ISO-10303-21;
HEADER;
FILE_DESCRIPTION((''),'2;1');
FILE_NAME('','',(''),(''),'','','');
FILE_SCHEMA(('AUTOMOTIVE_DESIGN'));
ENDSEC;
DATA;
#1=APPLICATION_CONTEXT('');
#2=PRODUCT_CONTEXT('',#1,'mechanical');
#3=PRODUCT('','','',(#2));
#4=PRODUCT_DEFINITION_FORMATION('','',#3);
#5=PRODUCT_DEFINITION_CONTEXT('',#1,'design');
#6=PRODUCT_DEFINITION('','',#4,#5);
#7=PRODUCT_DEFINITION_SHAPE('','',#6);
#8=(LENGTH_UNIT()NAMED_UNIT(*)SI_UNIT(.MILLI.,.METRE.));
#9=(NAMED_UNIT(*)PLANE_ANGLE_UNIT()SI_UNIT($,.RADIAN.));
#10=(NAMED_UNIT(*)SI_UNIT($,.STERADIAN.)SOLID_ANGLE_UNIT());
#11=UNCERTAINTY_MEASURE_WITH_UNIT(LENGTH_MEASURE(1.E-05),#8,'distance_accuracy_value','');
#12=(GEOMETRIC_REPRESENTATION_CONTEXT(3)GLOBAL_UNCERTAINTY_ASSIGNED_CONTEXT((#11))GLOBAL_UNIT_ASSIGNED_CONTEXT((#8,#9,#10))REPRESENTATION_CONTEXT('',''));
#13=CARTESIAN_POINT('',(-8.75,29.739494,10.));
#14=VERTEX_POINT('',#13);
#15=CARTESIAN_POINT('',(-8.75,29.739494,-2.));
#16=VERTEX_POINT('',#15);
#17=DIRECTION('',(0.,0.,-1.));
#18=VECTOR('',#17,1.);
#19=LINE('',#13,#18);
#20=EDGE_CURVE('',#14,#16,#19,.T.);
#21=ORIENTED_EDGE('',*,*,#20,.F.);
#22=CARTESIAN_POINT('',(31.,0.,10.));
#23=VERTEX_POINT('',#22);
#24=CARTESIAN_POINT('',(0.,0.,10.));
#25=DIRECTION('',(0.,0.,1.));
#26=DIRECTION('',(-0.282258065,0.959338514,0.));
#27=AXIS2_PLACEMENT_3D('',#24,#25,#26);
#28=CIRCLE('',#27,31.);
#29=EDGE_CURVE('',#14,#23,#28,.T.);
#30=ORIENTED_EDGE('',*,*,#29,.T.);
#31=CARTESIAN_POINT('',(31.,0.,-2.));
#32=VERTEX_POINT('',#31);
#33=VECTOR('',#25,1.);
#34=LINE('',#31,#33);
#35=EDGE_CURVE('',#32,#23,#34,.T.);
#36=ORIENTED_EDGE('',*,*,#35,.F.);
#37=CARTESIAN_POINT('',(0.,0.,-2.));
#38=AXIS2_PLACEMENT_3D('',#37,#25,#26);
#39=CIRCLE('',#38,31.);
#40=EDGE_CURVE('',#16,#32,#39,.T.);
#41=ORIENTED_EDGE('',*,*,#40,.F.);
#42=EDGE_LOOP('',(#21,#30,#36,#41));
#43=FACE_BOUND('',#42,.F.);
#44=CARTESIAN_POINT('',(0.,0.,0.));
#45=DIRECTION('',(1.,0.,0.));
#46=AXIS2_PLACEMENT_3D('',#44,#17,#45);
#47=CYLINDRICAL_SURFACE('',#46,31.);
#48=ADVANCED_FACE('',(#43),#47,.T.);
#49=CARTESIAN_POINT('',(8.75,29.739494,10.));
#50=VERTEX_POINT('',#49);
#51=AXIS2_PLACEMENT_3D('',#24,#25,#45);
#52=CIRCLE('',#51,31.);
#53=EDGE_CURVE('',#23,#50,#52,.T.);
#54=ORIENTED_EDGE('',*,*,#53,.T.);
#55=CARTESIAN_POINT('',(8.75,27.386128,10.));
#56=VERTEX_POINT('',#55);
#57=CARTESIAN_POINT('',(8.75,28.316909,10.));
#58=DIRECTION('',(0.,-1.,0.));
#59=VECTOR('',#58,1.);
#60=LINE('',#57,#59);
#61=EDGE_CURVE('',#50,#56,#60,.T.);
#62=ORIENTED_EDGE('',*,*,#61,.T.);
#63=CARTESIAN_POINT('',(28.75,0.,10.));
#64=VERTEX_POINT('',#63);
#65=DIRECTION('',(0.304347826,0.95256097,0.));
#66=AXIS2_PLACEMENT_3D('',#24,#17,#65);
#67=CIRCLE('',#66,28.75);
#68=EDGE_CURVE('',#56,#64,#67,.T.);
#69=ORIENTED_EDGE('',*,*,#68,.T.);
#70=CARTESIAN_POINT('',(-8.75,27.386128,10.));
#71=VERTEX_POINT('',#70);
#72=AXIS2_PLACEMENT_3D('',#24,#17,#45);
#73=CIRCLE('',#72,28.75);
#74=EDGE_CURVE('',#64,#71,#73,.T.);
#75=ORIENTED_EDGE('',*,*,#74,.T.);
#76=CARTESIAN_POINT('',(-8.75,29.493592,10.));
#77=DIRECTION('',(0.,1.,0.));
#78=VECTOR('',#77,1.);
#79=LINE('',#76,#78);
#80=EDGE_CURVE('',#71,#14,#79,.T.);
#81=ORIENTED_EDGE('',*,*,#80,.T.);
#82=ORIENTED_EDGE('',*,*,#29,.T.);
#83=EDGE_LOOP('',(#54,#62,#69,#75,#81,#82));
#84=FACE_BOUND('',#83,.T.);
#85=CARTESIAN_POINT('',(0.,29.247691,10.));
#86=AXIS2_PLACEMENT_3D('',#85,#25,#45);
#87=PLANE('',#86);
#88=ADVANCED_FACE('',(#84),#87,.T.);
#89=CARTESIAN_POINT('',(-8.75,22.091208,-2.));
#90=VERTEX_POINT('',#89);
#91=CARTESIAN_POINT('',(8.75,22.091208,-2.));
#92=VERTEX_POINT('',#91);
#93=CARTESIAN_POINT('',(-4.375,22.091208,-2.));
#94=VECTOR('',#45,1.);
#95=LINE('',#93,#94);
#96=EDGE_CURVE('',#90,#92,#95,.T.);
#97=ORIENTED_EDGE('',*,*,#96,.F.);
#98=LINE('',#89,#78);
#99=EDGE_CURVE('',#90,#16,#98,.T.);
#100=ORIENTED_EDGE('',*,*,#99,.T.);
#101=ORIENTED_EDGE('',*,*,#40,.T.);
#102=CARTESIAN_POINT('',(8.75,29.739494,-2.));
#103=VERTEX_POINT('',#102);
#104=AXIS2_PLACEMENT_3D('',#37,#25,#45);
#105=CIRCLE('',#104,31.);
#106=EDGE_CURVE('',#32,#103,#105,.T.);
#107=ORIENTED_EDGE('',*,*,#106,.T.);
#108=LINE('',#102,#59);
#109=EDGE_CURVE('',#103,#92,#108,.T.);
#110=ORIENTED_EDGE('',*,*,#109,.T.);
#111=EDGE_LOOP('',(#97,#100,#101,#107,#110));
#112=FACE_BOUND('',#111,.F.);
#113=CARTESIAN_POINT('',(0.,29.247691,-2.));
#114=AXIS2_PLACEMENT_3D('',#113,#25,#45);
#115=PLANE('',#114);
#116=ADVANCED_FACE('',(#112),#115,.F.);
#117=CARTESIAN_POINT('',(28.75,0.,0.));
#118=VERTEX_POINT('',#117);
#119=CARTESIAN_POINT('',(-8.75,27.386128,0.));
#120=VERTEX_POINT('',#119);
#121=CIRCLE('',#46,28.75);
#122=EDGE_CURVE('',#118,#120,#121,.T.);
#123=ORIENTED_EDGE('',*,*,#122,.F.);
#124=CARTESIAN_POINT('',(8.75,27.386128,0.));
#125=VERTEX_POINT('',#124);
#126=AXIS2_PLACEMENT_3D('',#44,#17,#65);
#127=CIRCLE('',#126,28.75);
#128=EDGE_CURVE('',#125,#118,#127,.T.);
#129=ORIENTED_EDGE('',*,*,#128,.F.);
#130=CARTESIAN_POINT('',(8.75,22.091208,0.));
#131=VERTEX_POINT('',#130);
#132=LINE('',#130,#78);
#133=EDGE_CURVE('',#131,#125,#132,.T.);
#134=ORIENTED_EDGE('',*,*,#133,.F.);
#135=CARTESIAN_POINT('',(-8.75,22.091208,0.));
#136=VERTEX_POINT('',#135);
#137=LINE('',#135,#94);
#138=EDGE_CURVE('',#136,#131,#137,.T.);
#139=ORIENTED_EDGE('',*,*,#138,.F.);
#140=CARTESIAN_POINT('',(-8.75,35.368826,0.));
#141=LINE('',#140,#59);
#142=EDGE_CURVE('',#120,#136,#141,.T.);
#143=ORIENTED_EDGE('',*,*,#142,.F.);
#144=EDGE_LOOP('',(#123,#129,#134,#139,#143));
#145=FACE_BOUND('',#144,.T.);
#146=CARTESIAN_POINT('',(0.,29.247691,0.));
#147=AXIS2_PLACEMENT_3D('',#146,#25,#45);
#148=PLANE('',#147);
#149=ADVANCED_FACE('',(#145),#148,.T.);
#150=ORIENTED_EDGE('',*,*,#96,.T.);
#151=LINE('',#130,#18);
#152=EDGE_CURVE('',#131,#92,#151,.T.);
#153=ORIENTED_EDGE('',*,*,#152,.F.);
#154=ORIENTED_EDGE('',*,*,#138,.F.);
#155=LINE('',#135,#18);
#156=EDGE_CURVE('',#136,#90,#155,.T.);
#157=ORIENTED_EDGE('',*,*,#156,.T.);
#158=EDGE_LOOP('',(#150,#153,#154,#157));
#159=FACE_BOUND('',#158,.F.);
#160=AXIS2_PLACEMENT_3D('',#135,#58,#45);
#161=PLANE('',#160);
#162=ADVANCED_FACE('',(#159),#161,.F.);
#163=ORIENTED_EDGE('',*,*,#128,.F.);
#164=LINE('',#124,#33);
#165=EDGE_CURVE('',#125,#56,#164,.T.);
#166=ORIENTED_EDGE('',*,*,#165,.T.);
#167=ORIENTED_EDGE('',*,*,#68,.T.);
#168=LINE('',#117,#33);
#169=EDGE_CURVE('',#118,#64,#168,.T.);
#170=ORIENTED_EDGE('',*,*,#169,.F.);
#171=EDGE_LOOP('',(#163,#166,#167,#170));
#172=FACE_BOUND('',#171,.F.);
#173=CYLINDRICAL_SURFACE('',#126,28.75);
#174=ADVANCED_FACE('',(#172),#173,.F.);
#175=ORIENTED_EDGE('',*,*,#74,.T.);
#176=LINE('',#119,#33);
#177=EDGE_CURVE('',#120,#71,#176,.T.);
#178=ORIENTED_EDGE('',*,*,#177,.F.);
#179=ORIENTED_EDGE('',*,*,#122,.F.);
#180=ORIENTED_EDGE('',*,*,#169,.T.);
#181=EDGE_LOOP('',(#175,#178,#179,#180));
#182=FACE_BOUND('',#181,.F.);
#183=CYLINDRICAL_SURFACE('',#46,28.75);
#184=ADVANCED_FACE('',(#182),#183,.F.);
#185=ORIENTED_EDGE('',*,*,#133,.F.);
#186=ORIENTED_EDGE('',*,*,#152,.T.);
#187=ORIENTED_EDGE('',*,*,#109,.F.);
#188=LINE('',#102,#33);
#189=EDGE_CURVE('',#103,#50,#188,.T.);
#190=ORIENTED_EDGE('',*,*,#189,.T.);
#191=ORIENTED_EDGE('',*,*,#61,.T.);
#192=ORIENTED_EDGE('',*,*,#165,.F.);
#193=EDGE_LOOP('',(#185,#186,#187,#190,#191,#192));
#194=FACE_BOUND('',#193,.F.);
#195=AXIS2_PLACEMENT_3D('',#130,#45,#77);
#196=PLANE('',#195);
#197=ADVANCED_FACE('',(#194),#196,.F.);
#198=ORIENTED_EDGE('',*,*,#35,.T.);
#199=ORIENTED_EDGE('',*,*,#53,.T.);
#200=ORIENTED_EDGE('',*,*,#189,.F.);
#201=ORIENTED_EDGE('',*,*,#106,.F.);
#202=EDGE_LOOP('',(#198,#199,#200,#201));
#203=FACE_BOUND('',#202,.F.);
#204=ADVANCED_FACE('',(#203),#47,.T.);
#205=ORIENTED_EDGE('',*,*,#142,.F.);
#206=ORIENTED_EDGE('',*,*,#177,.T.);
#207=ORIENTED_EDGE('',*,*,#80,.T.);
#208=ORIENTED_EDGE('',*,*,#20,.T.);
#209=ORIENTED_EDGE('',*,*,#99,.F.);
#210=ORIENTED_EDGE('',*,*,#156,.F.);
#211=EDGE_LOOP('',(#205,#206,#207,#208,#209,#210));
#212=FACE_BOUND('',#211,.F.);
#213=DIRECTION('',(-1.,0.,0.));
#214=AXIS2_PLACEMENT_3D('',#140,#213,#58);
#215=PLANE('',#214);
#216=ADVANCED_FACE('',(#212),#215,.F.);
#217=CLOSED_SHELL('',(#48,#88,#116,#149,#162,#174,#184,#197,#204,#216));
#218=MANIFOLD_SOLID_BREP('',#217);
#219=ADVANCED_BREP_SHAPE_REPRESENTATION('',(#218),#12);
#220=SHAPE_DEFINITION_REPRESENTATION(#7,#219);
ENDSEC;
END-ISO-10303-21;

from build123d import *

# Parameters (mm, degrees)
F1_DEPTH      = 2
F2_DEPTH      = 10
F3_DEPTH      = 2.001
F4_DEPTH      = 25
F4_DEPTH_BACK = 25


with BuildPart() as f1:
    # F0 (on Top) → F1 (new body)
    with BuildSketch(Plane.XY):
        with BuildLine():
            Line((8.75, 27.3861278753), (8.75, 29.7394939432))
            ThreePointArc((8.75, 29.7394939432), (0, 31), (-8.75, 29.7394939432))
            Line((-8.75, 29.7394939432), (-8.75, 27.3861278753))
            ThreePointArc((-8.75, 27.3861278753), (0, 28.75), (8.75, 27.3861278753))
        make_face()
        with BuildLine():
            ThreePointArc((-8.75, 29.7394939432), (-18.5708104293, -24.821865361), (31, 0))
            ThreePointArc((31, 0), (24.821865361, 18.5708104293), (8.75, 29.7394939432))
            Line((8.75, 29.7394939432), (8.75, 27.3861278753))
            ThreePointArc((8.75, 27.3861278753), (23.2177195263, 16.9558249578), (28.75, 0))
            ThreePointArc((28.75, 0), (-16.9558249578, -23.2177195263), (-8.75, 27.3861278753))
            Line((-8.75, 27.3861278753), (-8.75, 29.7394939432))
        make_face()
        with BuildLine():
            Line((8.75, 22.0912080258), (8.75, 27.3861278753))
            ThreePointArc((8.75, 27.3861278753), (0, 28.75), (-8.75, 27.3861278753))
            Line((-8.75, 27.3861278753), (-8.75, 22.0912080258))
            Line((-8.75, 22.0912080258), (8.75, 22.0912080258))
        make_face()
        with BuildLine():
            ThreePointArc((28.75, 0), (23.2177195263, 16.9558249578), (8.75, 27.3861278753))
            Line((8.75, 27.3861278753), (8.75, 22.0912080258))
            Line((8.75, 22.0912080258), (-8.75, 22.0912080258))
            Line((-8.75, 22.0912080258), (-8.75, 27.3861278753))
            ThreePointArc((-8.75, 27.3861278753), (-16.9558249578, -23.2177195263), (28.75, 0))
        make_face()
    extrude(amount=-F1_DEPTH)

    # F0 (on Top) → F2 (join)
    with BuildSketch(Plane.XY):
        with BuildLine():
            Line((8.75, 27.3861278753), (8.75, 29.7394939432))
            ThreePointArc((8.75, 29.7394939432), (0, 31), (-8.75, 29.7394939432))
            Line((-8.75, 29.7394939432), (-8.75, 27.3861278753))
            ThreePointArc((-8.75, 27.3861278753), (0, 28.75), (8.75, 27.3861278753))
        make_face()
        with BuildLine():
            ThreePointArc((-8.75, 29.7394939432), (-18.5708104293, -24.821865361), (31, 0))
            ThreePointArc((31, 0), (24.821865361, 18.5708104293), (8.75, 29.7394939432))
            Line((8.75, 29.7394939432), (8.75, 27.3861278753))
            ThreePointArc((8.75, 27.3861278753), (23.2177195263, 16.9558249578), (28.75, 0))
            ThreePointArc((28.75, 0), (-16.9558249578, -23.2177195263), (-8.75, 27.3861278753))
            Line((-8.75, 27.3861278753), (-8.75, 29.7394939432))
        make_face()
    extrude(amount=F2_DEPTH)

    # F0 (on Top) → F3 (cut, through all)
    with BuildSketch(Plane.XY):
        with BuildLine():
            Line((8.75, 22.0912080258), (8.75, 27.3861278753))
            ThreePointArc((8.75, 27.3861278753), (0, 28.75), (-8.75, 27.3861278753))
            Line((-8.75, 27.3861278753), (-8.75, 22.0912080258))
            Line((-8.75, 22.0912080258), (8.75, 22.0912080258))
        make_face()
        with BuildLine():
            ThreePointArc((-8.75, 29.7394939432), (0, 31), (8.75, 29.7394939432))
            Line((8.75, 29.7394939432), (8.75, 35.3688262403))
            Line((8.75, 35.3688262403), (-8.75, 35.3688262403))
            Line((-8.75, 35.3688262403), (-8.75, 29.7394939432))
        make_face()
        with BuildLine():
            Line((8.75, 27.3861278753), (8.75, 29.7394939432))
            ThreePointArc((8.75, 29.7394939432), (0, 31), (-8.75, 29.7394939432))
            Line((-8.75, 29.7394939432), (-8.75, 27.3861278753))
            ThreePointArc((-8.75, 27.3861278753), (0, 28.75), (8.75, 27.3861278753))
        make_face()
    extrude(amount=-F3_DEPTH, mode=Mode.SUBTRACT)

    # F0 (on Top) → F4 (cut, two sides)
    with BuildSketch(Plane.XY) as f4_sk:
        with BuildLine():
            Line((8.75, 27.3861278753), (8.75, 29.7394939432))
            ThreePointArc((8.75, 29.7394939432), (0, 31), (-8.75, 29.7394939432))
            Line((-8.75, 29.7394939432), (-8.75, 27.3861278753))
            ThreePointArc((-8.75, 27.3861278753), (0, 28.75), (8.75, 27.3861278753))
        make_face()
    extrude(amount=-F4_DEPTH, mode=Mode.SUBTRACT)
    extrude(f4_sk.sketch, amount=F4_DEPTH_BACK, mode=Mode.SUBTRACT)


solid = f1.part
